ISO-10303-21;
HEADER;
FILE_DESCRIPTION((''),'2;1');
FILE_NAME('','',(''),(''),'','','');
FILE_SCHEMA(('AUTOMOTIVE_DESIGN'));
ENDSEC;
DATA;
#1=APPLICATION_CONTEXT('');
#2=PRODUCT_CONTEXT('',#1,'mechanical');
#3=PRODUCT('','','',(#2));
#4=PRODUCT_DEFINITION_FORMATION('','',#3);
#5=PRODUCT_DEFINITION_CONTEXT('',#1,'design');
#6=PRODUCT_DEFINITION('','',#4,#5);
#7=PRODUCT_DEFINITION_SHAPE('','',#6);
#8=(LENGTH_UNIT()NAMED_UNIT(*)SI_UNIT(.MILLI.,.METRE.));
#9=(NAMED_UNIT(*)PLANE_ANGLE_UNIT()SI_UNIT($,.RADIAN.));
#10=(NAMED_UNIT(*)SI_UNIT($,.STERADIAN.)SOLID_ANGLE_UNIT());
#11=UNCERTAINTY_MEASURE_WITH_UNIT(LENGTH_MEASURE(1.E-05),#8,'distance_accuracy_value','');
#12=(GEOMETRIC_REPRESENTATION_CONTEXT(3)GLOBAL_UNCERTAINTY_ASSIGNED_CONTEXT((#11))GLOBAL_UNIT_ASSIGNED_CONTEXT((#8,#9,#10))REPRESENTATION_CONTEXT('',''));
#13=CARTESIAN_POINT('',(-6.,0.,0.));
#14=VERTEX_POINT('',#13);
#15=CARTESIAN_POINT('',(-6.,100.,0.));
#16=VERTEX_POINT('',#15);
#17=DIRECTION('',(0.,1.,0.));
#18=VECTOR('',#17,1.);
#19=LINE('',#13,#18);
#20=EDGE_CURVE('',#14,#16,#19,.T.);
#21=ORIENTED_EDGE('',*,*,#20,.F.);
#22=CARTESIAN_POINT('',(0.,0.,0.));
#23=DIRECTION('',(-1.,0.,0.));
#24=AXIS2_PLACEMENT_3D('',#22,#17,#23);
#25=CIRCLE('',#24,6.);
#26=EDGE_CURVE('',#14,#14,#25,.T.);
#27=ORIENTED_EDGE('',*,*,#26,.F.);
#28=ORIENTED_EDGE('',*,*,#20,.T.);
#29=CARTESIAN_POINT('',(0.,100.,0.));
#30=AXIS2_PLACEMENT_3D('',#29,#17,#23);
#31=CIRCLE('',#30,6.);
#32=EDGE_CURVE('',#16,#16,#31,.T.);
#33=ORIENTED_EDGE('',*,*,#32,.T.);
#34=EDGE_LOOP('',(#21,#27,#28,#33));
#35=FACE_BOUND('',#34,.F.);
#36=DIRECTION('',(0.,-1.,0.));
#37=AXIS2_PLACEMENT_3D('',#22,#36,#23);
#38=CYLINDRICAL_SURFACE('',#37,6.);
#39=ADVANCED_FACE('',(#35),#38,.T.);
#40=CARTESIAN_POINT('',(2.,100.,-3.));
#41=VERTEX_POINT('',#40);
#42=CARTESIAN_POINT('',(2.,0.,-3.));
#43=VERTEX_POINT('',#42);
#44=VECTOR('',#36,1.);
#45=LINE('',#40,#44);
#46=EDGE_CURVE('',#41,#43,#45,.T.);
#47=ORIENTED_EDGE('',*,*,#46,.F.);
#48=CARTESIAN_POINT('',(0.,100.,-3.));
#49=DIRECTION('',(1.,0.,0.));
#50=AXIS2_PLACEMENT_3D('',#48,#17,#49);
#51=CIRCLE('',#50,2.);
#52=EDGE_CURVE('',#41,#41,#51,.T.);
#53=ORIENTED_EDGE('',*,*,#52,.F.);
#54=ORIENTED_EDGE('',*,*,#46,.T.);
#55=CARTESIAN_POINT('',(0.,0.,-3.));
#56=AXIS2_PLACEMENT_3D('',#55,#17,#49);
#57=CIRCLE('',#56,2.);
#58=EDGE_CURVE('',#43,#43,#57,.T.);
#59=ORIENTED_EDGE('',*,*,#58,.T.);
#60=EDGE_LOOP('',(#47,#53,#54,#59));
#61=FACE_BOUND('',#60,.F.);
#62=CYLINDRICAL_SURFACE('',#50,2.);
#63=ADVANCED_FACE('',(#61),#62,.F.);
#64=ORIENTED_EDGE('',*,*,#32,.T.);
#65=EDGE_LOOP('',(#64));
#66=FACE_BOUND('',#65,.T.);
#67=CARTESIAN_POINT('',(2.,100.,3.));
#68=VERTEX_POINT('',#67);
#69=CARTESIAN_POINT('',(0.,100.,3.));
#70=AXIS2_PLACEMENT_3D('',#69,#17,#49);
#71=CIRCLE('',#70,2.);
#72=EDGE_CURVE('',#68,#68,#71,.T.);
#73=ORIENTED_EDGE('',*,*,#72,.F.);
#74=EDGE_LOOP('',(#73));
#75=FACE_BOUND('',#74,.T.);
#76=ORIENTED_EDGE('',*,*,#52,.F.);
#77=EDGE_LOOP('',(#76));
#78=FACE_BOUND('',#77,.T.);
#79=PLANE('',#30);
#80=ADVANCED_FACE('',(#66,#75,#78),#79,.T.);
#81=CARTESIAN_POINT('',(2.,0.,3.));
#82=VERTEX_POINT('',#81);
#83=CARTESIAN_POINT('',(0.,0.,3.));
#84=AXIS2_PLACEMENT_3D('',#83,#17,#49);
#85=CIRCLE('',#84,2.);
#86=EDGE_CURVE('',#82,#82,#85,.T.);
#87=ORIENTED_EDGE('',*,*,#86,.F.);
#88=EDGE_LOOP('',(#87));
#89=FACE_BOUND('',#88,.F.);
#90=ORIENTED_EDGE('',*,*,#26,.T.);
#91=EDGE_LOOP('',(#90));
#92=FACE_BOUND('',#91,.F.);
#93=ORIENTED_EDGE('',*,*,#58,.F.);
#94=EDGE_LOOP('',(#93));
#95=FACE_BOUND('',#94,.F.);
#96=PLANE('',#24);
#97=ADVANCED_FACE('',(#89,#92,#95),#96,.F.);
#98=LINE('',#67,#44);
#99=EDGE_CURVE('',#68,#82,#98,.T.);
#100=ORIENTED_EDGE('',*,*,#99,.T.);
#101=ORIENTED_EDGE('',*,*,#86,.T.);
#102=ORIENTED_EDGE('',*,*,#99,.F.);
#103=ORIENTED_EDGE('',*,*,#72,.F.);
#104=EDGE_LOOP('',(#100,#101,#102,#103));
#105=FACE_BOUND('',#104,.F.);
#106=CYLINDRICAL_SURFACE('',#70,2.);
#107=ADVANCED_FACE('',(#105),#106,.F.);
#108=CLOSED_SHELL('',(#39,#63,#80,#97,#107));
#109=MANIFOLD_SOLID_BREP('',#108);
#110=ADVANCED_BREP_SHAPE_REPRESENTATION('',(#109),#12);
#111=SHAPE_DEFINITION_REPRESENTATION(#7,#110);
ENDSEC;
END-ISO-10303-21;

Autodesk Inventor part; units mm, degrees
ref_plane "YZ Plane" through (0, 0, 0) normal (1, 0, 0) x (0, 1, 0)
ref_plane "XZ Plane" through (0, 0, 0) normal (0, 1, 0) x (-1, 0, 0)
ref_plane "XY Plane" through (0, 0, 0) normal (0, 0, 1) x (1, 0, 0)
sketch "Sketch1" plane through (0, 0, 0) normal (0, 1, 0) x (-1, 0, 0)
  circle A0 centre (0, 0) radius 6
  dimension "d0" = 12
extrude "Extrusion1" add sketch "Sketch1" along normal blind 100
sketch "Sketch2" plane through (0, 100, 0) normal (0, 1, 0) x (1, 0, 0)
  circle A0 centre (0, -3) radius 2
  circle A1 centre (0, 3) radius 2
  point P0 (0, 0)
  dimension "d3" = 4
  dimension "d4" = 4
  dimension "d5" = 3
  dimension "d6" = 3
extrude "Extrusion2" cut sketch "Sketch2" against normal blind 100
properties part number "Buje"
